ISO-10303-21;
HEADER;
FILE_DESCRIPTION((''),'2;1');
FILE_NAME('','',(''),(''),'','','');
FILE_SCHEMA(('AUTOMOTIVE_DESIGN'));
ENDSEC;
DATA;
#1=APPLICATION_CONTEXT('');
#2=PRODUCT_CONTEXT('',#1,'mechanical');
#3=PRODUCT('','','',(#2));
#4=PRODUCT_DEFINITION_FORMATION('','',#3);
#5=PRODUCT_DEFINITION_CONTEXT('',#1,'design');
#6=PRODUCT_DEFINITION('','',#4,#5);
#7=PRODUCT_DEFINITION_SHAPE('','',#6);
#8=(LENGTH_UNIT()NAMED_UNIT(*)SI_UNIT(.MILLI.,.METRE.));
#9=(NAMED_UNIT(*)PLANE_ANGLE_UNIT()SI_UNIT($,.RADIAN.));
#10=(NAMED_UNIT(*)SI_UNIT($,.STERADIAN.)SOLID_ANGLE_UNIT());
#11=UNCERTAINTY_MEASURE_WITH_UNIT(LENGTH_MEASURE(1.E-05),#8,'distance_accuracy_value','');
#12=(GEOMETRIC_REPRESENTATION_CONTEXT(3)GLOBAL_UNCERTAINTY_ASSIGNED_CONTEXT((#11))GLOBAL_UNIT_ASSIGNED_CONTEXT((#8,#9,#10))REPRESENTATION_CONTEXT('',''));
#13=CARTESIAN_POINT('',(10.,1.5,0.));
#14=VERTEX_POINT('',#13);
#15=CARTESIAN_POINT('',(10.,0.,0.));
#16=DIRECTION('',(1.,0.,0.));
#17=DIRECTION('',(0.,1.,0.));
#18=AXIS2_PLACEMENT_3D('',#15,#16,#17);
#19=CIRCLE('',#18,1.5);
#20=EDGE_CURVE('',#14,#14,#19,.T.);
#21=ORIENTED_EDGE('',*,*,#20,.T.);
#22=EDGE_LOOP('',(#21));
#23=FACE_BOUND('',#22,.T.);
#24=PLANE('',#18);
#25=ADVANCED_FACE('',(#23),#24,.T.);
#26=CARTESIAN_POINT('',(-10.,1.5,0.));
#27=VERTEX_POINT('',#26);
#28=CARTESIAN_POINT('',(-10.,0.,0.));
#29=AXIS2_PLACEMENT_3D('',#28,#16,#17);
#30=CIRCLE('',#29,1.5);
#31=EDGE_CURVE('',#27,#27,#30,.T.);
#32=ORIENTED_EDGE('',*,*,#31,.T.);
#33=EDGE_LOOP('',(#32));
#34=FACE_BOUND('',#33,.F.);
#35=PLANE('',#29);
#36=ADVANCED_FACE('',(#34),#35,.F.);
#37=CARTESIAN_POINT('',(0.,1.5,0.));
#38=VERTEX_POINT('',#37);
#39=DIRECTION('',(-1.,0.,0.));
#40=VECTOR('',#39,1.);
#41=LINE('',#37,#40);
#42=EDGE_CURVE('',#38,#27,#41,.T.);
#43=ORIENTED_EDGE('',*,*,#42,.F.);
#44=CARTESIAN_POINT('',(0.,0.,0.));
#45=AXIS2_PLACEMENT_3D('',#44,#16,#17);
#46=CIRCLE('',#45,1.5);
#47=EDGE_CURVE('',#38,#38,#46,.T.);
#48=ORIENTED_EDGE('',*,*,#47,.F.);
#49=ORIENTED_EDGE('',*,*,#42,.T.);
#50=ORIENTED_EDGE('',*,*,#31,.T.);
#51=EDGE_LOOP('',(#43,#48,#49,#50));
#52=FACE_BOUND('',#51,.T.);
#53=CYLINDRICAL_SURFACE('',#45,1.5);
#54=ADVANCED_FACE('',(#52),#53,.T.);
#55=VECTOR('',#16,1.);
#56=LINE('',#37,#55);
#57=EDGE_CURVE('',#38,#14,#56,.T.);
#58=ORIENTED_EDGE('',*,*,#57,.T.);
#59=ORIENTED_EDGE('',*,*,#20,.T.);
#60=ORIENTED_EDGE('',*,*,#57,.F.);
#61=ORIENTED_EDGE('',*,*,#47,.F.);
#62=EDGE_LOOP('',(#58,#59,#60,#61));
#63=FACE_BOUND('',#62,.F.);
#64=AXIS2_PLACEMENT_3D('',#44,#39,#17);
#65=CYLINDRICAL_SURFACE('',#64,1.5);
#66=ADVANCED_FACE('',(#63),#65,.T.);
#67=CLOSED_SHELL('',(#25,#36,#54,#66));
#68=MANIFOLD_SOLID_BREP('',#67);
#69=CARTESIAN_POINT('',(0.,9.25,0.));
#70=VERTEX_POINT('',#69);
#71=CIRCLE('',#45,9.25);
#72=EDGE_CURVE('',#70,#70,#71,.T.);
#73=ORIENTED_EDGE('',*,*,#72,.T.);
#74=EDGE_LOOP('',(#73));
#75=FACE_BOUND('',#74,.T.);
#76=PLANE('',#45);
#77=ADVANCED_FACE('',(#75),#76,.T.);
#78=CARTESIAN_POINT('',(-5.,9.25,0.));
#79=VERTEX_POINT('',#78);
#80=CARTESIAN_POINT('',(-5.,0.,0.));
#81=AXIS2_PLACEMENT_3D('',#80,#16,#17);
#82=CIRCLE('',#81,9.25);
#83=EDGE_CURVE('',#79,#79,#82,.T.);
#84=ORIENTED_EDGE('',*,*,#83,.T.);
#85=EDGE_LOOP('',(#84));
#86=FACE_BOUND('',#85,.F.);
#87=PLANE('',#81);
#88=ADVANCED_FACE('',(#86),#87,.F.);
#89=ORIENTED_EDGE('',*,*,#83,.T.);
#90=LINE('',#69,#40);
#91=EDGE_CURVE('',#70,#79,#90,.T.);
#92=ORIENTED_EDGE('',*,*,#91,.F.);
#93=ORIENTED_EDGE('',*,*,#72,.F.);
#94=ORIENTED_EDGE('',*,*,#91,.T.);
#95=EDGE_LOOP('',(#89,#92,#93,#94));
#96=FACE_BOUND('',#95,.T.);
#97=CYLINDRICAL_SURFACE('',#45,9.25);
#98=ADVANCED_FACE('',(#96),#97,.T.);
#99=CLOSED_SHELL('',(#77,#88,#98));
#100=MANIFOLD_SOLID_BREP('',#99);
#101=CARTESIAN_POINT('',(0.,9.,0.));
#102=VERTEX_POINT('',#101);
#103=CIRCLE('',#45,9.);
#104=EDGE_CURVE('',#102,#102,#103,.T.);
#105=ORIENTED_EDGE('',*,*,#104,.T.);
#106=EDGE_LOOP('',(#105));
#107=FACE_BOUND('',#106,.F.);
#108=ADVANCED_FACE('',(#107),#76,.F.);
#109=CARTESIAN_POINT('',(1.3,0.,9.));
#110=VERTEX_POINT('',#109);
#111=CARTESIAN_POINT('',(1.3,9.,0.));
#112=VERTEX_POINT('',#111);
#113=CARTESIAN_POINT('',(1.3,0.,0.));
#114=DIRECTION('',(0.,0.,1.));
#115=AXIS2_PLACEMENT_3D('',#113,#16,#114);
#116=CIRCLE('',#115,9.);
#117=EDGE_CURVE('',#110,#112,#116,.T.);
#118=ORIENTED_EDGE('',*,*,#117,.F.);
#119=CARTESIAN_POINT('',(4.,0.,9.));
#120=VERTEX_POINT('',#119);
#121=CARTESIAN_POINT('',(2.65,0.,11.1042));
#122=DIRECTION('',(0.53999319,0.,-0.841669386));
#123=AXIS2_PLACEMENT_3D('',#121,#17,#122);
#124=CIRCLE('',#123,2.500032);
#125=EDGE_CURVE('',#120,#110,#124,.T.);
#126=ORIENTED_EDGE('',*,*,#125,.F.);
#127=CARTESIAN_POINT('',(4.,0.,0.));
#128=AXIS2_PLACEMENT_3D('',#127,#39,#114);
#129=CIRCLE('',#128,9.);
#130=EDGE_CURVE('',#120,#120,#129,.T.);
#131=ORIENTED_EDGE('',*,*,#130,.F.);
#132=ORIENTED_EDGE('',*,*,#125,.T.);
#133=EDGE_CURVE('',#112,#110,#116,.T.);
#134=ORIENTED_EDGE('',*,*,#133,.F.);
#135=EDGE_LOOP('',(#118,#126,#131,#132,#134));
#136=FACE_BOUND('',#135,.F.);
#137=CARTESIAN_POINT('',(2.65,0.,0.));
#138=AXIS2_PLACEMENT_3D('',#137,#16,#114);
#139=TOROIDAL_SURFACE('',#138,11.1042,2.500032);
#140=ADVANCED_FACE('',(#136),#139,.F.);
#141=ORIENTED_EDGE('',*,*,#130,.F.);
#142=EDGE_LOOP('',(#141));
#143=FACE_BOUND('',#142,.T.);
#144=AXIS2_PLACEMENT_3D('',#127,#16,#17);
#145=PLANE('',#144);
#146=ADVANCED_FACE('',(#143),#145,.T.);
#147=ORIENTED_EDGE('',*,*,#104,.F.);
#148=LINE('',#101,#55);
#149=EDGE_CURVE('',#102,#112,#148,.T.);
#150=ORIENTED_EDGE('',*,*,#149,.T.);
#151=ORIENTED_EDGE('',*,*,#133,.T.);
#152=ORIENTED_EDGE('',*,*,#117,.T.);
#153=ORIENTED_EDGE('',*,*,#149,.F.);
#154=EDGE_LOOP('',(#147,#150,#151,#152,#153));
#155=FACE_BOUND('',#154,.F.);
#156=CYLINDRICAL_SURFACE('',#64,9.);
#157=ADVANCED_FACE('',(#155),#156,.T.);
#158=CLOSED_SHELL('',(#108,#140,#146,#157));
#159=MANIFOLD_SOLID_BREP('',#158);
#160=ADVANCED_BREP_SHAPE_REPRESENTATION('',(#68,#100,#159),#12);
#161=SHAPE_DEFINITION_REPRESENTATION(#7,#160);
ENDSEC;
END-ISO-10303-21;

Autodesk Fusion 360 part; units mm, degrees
sketch "Sketch1" plane through (0, 0, 0) normal (1, 0, 0) x (0, 1, 0) in component "LGX Drive Gear (reference dia)"
  circle A0 centre (0, 0) radius 9.25
  circle A1 centre (0, 0) radius 9
  circle A2 centre (0, 0) radius 1.5
  dimension "d1" = 18.5
  dimension "d2" = 18
  dimension "d10" = 3
extrude "Extrude1" add sketch "Sketch1" against normal blind 5 contours A0 | A1 | A2 makes body 1 in component "LGX Drive Gear (reference dia)"
extrude "Extrude2" add sketch "Sketch1" along normal blind 4 separate body contours A1 | A2 makes body 2 in component "LGX Drive Gear (reference dia)"
sketch "Sketch2" plane through (0, 0, 0) normal (0, 1, 0) x (1, 0, 0) in component "LGX Drive Gear (reference dia)"
  line L0 (4, -9) -> (4, 9)
  line L1 (0, -9) -> (1.3, -9)
  arc A0 (4, -9) -> (1.3, -9) centre (2.65, -11.1042) ccw
  line L2 (1.3, -9) -> (4, -9)
  line L3 (0, -9) -> (0, 9)
  dimension "d7" = 1.3
  dimension "d8" = 2.5
revolve "Revolve1" cut sketch "Sketch2" angle 360 about axis through (1.75, 0, 0) along (1, 0, 0) bodies 2 in component "LGX Drive Gear (reference dia)"
extrude "Extrude1'" add sketch "Sketch1" along normal mid plane 20 separate body contours A2 makes body 3 in component "LGX Drive Gear (reference dia)"
component "LGX Drive Gear (reference dia)" placed x (1, 0, 0) y (0, 1, 0) z (0, 0, 1) at (0, 0, 0)
